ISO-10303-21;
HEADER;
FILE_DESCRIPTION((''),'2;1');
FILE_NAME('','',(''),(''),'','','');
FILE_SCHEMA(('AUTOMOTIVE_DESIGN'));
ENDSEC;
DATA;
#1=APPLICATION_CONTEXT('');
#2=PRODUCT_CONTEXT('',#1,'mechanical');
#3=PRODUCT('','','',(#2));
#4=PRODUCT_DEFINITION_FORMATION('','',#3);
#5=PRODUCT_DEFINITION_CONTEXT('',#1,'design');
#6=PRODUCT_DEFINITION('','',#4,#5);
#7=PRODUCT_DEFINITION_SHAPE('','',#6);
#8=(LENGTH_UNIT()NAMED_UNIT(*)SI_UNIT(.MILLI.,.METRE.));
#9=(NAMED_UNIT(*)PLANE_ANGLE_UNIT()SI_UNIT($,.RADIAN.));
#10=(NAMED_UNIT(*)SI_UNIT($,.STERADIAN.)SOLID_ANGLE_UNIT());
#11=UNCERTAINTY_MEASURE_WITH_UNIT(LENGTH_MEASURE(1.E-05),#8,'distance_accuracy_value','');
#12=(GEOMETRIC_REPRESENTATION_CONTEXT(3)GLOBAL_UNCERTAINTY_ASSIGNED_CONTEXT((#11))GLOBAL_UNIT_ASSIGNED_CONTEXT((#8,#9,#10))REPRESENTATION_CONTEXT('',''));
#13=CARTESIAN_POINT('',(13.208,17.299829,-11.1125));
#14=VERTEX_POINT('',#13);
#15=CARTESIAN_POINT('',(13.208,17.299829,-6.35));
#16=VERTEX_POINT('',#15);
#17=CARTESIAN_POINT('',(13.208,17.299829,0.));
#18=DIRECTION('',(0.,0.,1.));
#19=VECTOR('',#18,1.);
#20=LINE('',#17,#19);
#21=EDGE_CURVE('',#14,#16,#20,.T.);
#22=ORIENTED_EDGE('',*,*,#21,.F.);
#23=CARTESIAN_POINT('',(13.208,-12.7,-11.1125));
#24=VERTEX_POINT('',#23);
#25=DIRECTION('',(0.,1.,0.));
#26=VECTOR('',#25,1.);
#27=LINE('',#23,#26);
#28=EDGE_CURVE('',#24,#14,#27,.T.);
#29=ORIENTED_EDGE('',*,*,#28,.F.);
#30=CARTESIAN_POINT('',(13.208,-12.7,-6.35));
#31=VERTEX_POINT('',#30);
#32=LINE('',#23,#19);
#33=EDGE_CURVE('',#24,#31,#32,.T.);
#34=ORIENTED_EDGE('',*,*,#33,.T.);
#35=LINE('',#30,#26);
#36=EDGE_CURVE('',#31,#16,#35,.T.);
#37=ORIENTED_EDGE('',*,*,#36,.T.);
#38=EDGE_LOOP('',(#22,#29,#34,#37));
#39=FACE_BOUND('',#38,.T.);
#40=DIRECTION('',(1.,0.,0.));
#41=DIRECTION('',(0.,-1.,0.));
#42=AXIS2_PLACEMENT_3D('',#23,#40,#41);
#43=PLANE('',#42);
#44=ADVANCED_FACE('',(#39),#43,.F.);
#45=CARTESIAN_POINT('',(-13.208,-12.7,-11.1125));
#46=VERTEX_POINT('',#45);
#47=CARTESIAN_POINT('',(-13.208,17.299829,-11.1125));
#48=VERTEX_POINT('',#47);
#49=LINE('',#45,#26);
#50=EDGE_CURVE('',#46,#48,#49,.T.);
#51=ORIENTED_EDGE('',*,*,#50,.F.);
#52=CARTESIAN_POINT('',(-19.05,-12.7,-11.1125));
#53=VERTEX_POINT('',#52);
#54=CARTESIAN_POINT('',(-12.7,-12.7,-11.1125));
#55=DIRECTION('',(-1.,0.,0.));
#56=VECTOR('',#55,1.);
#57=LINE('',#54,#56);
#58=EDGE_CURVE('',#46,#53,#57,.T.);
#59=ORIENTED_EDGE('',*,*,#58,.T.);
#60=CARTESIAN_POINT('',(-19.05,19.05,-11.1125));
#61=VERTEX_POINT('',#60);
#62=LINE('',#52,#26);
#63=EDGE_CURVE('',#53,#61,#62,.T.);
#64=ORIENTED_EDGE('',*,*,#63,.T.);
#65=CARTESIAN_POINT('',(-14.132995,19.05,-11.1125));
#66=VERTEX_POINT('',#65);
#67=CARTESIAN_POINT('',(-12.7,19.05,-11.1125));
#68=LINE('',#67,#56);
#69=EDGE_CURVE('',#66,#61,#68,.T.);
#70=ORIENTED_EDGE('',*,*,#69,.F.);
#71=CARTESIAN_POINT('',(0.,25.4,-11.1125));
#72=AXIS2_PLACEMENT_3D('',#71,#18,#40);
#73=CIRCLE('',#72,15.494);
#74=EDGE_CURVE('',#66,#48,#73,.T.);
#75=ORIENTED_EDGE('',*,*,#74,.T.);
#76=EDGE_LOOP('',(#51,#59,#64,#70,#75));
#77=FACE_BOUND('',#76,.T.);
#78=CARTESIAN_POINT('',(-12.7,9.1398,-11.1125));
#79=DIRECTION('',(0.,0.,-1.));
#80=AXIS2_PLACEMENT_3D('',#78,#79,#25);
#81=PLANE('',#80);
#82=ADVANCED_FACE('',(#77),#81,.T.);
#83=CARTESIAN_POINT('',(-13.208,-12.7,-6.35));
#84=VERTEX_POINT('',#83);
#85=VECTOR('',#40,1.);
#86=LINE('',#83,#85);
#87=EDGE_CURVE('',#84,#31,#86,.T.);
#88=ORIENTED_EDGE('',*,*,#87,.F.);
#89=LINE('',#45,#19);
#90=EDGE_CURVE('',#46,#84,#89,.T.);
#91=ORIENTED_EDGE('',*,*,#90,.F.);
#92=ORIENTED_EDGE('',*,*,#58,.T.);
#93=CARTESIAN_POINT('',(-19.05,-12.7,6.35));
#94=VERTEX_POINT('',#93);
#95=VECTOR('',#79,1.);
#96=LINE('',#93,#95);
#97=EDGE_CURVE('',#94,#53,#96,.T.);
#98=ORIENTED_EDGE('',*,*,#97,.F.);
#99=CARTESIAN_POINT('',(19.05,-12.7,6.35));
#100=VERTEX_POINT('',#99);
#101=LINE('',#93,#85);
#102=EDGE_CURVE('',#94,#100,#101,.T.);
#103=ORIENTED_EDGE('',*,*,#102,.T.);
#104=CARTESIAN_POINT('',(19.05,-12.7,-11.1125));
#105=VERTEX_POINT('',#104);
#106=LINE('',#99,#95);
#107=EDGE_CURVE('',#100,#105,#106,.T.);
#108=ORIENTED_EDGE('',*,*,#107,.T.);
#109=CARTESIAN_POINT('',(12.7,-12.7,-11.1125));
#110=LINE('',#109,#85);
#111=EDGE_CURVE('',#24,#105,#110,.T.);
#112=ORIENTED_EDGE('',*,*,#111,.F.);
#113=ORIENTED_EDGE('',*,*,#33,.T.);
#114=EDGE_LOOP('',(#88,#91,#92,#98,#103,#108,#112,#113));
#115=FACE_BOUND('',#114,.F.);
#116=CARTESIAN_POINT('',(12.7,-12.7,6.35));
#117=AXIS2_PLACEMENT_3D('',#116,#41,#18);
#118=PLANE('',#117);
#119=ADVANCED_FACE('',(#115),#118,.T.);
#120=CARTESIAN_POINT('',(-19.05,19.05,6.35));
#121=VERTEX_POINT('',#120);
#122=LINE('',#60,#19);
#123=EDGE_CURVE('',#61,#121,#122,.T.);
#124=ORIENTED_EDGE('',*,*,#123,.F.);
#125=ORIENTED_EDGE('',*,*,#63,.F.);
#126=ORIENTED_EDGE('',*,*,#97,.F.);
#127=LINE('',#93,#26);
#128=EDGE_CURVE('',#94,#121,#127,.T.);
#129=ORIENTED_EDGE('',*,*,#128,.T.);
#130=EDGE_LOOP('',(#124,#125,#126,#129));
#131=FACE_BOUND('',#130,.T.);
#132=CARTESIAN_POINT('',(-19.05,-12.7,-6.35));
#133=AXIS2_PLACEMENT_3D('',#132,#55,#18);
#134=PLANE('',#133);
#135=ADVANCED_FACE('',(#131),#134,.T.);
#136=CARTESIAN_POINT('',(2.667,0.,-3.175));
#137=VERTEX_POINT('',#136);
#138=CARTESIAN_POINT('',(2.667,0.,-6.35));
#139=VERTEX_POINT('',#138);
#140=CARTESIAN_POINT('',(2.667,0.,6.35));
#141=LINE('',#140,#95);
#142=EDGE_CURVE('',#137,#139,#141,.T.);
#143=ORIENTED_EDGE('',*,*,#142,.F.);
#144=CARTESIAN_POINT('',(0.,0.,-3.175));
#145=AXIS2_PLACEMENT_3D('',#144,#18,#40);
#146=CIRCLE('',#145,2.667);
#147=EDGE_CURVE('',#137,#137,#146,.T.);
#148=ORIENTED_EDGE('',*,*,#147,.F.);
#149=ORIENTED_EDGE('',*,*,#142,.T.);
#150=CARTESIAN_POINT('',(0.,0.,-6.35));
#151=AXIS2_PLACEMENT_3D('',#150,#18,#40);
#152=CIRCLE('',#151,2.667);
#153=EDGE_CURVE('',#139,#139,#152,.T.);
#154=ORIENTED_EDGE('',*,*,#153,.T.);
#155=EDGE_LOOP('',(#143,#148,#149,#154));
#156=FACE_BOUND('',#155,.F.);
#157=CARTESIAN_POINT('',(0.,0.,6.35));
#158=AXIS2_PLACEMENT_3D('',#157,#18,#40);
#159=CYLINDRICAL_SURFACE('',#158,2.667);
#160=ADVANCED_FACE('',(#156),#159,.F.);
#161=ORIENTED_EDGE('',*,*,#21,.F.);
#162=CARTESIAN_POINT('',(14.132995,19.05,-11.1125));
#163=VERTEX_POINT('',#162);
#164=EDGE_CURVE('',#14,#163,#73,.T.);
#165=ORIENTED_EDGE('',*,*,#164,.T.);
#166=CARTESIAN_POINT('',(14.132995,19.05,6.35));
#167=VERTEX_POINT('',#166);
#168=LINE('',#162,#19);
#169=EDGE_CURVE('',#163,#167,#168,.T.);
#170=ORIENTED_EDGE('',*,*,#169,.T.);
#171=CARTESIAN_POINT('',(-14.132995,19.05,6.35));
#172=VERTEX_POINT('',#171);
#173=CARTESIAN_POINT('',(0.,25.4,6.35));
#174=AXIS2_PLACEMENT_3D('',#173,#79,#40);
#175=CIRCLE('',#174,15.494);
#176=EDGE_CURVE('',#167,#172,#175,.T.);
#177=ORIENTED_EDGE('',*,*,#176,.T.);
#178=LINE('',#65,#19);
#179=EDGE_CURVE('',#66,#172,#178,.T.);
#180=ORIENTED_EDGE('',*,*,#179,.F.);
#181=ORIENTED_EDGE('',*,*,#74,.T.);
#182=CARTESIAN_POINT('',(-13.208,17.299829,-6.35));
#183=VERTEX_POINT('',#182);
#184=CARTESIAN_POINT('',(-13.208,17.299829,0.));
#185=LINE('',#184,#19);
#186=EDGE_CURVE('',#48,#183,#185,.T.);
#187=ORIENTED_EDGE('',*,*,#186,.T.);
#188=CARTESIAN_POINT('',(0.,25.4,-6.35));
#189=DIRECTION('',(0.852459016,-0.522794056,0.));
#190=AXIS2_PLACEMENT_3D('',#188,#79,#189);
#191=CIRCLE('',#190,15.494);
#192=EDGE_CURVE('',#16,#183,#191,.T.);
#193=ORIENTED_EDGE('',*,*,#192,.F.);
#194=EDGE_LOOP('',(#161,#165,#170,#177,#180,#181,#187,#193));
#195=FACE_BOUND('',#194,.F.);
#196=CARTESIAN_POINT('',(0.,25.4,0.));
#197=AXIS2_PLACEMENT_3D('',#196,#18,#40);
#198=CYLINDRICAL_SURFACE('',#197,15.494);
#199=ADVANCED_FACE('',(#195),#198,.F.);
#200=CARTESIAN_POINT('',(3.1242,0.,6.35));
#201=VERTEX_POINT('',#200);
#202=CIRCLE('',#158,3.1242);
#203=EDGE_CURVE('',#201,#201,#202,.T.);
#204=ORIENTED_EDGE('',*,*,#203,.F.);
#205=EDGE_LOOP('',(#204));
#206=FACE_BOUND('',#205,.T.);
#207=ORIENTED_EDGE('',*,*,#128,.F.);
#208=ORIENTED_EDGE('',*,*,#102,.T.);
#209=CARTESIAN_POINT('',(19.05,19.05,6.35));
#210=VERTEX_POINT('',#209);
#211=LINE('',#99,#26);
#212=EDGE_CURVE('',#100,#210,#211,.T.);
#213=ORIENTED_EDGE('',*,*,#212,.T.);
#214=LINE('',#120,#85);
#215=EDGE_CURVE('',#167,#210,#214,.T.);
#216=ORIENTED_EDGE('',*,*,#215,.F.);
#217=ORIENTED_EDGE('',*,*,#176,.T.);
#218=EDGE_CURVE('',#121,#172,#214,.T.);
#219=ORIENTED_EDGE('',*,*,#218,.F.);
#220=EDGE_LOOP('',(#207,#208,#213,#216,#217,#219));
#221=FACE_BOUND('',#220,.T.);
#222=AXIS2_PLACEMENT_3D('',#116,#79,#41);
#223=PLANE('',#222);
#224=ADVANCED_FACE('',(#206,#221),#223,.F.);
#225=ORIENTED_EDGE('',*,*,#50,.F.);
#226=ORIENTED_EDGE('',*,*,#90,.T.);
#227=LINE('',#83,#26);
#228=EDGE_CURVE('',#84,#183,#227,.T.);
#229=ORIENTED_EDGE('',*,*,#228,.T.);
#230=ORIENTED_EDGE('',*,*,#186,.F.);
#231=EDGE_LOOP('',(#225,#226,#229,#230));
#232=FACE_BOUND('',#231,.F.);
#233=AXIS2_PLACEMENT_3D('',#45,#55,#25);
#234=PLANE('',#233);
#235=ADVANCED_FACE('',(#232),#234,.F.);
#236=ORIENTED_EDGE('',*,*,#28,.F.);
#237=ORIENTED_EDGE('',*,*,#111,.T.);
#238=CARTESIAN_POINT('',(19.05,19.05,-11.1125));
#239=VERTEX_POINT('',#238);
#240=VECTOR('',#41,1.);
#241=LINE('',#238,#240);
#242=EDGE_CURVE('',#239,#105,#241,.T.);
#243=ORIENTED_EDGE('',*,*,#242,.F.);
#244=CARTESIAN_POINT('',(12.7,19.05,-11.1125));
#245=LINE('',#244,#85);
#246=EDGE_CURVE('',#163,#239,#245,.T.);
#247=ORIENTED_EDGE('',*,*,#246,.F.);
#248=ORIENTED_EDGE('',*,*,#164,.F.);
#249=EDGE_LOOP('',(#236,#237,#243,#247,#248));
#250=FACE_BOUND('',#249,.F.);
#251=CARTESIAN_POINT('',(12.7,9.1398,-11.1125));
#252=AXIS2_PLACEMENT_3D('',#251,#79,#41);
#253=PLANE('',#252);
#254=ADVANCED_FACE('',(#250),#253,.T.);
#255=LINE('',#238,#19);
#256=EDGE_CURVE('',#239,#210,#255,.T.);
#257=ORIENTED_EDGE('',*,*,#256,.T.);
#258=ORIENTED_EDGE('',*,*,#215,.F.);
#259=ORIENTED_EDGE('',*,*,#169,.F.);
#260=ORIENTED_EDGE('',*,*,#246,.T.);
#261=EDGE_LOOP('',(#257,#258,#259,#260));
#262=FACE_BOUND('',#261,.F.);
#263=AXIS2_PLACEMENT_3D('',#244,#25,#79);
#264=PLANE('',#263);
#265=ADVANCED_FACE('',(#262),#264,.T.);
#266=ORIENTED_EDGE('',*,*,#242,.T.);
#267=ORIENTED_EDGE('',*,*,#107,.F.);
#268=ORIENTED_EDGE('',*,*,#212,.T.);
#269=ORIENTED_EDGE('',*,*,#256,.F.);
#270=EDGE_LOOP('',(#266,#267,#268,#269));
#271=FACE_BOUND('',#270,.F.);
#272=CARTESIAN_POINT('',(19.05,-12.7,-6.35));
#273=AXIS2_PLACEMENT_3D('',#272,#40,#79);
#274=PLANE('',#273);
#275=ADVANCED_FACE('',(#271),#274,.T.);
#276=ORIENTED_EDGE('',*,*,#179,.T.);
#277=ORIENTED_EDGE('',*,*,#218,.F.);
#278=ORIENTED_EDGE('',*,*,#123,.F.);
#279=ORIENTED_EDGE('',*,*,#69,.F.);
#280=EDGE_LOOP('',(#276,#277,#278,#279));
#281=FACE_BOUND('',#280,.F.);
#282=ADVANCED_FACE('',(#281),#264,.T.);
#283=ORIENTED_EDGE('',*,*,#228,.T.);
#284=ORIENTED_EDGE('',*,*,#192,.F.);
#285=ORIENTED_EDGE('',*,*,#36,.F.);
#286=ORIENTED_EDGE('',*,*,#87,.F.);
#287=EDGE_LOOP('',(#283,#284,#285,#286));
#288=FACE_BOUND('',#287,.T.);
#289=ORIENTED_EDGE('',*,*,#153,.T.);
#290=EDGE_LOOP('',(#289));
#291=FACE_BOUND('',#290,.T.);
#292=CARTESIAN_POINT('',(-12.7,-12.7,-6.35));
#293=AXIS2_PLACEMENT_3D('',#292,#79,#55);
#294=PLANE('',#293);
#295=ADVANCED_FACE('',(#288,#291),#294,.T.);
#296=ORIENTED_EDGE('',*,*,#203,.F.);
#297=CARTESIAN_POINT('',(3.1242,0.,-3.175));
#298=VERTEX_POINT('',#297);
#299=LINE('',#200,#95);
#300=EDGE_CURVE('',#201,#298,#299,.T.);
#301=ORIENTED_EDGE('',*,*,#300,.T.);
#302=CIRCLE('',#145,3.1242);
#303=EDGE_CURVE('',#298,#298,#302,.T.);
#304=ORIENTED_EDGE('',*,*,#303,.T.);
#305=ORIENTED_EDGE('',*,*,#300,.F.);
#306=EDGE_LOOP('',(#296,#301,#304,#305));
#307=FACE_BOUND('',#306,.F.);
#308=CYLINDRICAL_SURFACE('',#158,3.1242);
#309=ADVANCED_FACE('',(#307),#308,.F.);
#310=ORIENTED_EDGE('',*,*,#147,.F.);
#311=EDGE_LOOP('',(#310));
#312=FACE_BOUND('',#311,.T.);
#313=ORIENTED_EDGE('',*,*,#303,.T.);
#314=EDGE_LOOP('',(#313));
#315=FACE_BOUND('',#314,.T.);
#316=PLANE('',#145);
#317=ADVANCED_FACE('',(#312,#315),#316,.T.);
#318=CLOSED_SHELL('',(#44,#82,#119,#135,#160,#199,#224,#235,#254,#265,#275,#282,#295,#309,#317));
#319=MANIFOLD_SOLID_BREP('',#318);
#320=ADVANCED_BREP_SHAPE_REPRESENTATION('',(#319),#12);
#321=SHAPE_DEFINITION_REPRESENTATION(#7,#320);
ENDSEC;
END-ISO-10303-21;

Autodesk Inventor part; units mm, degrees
ref_plane "YZ Plane" through (0, 0, 0) normal (1, 0, 0) x (0, 1, 0)
ref_plane "XZ Plane" through (0, 0, 0) normal (0, 1, 0) x (-1, 0, 0)
ref_plane "XY Plane" through (0, 0, 0) normal (0, 0, 1) x (1, 0, 0)
sketch "Sketch3" plane through (0, 0, 0) normal (0, 0, 1) x (1, 0, 0)
  line L0 (-12.7, -19.05) -> (12.7, -19.05)
  line L1 (12.7, -19.05) -> (12.7, 19.05)
  line L2 (12.7, 19.05) -> (-12.7, 19.05)
  line L3 (-12.7, 19.05) -> (-12.7, -19.05)
  line L4 (-12.7, -19.05) -> (12.7, 19.05) construction
  line L5 (12.7, -19.05) -> (-12.7, 19.05) construction
  point P0 (0, 0)
  dimension "d0" = 25.4
  dimension "d1" = 38.1
extrude "Extrusion1" add sketch "Sketch3" along normal mid plane 12.7
sketch "Sketch4" plane through (0, 0, 6.35) normal (0, 0, 1) x (1, 0, 0)
  circle A0 centre (0, 0) radius 2.667
  dimension "d4" = 5.334
extrude "Extrusion2" cut sketch "Sketch4" against normal through all
sketch "Sketch5" plane through (-12.7, -19.05, 6.35) normal (-1, 0, 0) x (0, 0, 1)
  line L0 (3.175, 6.35) -> (50.8, 6.35) projected
  line L1 (-12.7, 38.1) -> (-12.7, 0) projected
  line L2 (0, 0) -> (0, 38.1) projected
  line L3 (-12.7, 0) -> (0, 0)
  line L4 (0, 0) -> (0, 6.35)
  line L5 (0, 6.35) -> (-12.7, 6.35)
  line L6 (-12.7, 6.35) -> (-12.7, 0)
  point P0 (-6.35, 19.05)
  point P1 (-12.7, 6.35)
  dimension "d9" = 6.35
extrude "Extrusion3" cut sketch "Sketch5" against normal through all
sketch "Sketch8" plane through (-12.7, -12.7, -6.35) normal (-1, 0, 0) x (0, 0, 1)
  line L0 (-4.7625, 21.8398) -> (-4.7625, 13.2284) projected
  line L1 (12.7, 0) -> (12.7, 31.75) projected
  line L2 (12.7, 0) -> (-4.7625, 0)
  line L3 (-4.7625, 0) -> (-4.7625, 31.75)
  line L4 (-4.7625, 31.75) -> (12.7, 31.75)
  line L5 (12.7, 31.75) -> (12.7, 0)
  point P0 (6.35, 12.7)
  point P1 (-4.7625, 13.2284)
extrude "Extrusion5" add sketch "Sketch8" along normal blind 6.35
mirror "Mirror1" about plane through (0, 0, 0) normal (1, 0, 0) of "Extrusion5"
sketch "Sketch6" plane through (0, 0, 0) normal (0, 0, 1) x (1, 0, 0)
  circle A0 centre (0, 25.4) radius 15.494
  point P0 (0, 0)
  dimension "d10" = 25.4
  dimension "d13" = 30.988
extrude "cutOutForGuide" cut sketch "Sketch6" along normal through all both and the other way through all
sketch "Sketch9" plane through (0, 0, 6.35) normal (0, 0, 1) x (1, 0, 0)
  circle A0 centre (0, 0) radius 3.1242
  dimension "d16" = 6.2484
extrude "Extrusion6" cut sketch "Sketch9" against normal blind 9.525
sketch "Sketch10" plane through (-12.7, -12.7, -11.1125) normal (0, 0, -1) x (-1, 0, 0)
  line L0 (0, 0) -> (6.35, 0) projected
  line L1 (0, 0) -> (0.508, 0)
  line L2 (0.508, 0) -> (0.508, 36.9717)
  line L3 (0.508, 36.9717) -> (0, 36.9717)
  line L4 (0, 36.9717) -> (0, 0)
  point P0 (-12.7, 12.7)
  point P1 (0.508, 0)
  dimension "d19" = 0.508
extrude "Extrusion7" cut sketch "Sketch10" against normal blind 4.7625
mirror "Mirror2" about plane through (0, 0, 0) normal (1, 0, 0) of "Extrusion7"
properties part number "leo" material "PBT Plastic"
